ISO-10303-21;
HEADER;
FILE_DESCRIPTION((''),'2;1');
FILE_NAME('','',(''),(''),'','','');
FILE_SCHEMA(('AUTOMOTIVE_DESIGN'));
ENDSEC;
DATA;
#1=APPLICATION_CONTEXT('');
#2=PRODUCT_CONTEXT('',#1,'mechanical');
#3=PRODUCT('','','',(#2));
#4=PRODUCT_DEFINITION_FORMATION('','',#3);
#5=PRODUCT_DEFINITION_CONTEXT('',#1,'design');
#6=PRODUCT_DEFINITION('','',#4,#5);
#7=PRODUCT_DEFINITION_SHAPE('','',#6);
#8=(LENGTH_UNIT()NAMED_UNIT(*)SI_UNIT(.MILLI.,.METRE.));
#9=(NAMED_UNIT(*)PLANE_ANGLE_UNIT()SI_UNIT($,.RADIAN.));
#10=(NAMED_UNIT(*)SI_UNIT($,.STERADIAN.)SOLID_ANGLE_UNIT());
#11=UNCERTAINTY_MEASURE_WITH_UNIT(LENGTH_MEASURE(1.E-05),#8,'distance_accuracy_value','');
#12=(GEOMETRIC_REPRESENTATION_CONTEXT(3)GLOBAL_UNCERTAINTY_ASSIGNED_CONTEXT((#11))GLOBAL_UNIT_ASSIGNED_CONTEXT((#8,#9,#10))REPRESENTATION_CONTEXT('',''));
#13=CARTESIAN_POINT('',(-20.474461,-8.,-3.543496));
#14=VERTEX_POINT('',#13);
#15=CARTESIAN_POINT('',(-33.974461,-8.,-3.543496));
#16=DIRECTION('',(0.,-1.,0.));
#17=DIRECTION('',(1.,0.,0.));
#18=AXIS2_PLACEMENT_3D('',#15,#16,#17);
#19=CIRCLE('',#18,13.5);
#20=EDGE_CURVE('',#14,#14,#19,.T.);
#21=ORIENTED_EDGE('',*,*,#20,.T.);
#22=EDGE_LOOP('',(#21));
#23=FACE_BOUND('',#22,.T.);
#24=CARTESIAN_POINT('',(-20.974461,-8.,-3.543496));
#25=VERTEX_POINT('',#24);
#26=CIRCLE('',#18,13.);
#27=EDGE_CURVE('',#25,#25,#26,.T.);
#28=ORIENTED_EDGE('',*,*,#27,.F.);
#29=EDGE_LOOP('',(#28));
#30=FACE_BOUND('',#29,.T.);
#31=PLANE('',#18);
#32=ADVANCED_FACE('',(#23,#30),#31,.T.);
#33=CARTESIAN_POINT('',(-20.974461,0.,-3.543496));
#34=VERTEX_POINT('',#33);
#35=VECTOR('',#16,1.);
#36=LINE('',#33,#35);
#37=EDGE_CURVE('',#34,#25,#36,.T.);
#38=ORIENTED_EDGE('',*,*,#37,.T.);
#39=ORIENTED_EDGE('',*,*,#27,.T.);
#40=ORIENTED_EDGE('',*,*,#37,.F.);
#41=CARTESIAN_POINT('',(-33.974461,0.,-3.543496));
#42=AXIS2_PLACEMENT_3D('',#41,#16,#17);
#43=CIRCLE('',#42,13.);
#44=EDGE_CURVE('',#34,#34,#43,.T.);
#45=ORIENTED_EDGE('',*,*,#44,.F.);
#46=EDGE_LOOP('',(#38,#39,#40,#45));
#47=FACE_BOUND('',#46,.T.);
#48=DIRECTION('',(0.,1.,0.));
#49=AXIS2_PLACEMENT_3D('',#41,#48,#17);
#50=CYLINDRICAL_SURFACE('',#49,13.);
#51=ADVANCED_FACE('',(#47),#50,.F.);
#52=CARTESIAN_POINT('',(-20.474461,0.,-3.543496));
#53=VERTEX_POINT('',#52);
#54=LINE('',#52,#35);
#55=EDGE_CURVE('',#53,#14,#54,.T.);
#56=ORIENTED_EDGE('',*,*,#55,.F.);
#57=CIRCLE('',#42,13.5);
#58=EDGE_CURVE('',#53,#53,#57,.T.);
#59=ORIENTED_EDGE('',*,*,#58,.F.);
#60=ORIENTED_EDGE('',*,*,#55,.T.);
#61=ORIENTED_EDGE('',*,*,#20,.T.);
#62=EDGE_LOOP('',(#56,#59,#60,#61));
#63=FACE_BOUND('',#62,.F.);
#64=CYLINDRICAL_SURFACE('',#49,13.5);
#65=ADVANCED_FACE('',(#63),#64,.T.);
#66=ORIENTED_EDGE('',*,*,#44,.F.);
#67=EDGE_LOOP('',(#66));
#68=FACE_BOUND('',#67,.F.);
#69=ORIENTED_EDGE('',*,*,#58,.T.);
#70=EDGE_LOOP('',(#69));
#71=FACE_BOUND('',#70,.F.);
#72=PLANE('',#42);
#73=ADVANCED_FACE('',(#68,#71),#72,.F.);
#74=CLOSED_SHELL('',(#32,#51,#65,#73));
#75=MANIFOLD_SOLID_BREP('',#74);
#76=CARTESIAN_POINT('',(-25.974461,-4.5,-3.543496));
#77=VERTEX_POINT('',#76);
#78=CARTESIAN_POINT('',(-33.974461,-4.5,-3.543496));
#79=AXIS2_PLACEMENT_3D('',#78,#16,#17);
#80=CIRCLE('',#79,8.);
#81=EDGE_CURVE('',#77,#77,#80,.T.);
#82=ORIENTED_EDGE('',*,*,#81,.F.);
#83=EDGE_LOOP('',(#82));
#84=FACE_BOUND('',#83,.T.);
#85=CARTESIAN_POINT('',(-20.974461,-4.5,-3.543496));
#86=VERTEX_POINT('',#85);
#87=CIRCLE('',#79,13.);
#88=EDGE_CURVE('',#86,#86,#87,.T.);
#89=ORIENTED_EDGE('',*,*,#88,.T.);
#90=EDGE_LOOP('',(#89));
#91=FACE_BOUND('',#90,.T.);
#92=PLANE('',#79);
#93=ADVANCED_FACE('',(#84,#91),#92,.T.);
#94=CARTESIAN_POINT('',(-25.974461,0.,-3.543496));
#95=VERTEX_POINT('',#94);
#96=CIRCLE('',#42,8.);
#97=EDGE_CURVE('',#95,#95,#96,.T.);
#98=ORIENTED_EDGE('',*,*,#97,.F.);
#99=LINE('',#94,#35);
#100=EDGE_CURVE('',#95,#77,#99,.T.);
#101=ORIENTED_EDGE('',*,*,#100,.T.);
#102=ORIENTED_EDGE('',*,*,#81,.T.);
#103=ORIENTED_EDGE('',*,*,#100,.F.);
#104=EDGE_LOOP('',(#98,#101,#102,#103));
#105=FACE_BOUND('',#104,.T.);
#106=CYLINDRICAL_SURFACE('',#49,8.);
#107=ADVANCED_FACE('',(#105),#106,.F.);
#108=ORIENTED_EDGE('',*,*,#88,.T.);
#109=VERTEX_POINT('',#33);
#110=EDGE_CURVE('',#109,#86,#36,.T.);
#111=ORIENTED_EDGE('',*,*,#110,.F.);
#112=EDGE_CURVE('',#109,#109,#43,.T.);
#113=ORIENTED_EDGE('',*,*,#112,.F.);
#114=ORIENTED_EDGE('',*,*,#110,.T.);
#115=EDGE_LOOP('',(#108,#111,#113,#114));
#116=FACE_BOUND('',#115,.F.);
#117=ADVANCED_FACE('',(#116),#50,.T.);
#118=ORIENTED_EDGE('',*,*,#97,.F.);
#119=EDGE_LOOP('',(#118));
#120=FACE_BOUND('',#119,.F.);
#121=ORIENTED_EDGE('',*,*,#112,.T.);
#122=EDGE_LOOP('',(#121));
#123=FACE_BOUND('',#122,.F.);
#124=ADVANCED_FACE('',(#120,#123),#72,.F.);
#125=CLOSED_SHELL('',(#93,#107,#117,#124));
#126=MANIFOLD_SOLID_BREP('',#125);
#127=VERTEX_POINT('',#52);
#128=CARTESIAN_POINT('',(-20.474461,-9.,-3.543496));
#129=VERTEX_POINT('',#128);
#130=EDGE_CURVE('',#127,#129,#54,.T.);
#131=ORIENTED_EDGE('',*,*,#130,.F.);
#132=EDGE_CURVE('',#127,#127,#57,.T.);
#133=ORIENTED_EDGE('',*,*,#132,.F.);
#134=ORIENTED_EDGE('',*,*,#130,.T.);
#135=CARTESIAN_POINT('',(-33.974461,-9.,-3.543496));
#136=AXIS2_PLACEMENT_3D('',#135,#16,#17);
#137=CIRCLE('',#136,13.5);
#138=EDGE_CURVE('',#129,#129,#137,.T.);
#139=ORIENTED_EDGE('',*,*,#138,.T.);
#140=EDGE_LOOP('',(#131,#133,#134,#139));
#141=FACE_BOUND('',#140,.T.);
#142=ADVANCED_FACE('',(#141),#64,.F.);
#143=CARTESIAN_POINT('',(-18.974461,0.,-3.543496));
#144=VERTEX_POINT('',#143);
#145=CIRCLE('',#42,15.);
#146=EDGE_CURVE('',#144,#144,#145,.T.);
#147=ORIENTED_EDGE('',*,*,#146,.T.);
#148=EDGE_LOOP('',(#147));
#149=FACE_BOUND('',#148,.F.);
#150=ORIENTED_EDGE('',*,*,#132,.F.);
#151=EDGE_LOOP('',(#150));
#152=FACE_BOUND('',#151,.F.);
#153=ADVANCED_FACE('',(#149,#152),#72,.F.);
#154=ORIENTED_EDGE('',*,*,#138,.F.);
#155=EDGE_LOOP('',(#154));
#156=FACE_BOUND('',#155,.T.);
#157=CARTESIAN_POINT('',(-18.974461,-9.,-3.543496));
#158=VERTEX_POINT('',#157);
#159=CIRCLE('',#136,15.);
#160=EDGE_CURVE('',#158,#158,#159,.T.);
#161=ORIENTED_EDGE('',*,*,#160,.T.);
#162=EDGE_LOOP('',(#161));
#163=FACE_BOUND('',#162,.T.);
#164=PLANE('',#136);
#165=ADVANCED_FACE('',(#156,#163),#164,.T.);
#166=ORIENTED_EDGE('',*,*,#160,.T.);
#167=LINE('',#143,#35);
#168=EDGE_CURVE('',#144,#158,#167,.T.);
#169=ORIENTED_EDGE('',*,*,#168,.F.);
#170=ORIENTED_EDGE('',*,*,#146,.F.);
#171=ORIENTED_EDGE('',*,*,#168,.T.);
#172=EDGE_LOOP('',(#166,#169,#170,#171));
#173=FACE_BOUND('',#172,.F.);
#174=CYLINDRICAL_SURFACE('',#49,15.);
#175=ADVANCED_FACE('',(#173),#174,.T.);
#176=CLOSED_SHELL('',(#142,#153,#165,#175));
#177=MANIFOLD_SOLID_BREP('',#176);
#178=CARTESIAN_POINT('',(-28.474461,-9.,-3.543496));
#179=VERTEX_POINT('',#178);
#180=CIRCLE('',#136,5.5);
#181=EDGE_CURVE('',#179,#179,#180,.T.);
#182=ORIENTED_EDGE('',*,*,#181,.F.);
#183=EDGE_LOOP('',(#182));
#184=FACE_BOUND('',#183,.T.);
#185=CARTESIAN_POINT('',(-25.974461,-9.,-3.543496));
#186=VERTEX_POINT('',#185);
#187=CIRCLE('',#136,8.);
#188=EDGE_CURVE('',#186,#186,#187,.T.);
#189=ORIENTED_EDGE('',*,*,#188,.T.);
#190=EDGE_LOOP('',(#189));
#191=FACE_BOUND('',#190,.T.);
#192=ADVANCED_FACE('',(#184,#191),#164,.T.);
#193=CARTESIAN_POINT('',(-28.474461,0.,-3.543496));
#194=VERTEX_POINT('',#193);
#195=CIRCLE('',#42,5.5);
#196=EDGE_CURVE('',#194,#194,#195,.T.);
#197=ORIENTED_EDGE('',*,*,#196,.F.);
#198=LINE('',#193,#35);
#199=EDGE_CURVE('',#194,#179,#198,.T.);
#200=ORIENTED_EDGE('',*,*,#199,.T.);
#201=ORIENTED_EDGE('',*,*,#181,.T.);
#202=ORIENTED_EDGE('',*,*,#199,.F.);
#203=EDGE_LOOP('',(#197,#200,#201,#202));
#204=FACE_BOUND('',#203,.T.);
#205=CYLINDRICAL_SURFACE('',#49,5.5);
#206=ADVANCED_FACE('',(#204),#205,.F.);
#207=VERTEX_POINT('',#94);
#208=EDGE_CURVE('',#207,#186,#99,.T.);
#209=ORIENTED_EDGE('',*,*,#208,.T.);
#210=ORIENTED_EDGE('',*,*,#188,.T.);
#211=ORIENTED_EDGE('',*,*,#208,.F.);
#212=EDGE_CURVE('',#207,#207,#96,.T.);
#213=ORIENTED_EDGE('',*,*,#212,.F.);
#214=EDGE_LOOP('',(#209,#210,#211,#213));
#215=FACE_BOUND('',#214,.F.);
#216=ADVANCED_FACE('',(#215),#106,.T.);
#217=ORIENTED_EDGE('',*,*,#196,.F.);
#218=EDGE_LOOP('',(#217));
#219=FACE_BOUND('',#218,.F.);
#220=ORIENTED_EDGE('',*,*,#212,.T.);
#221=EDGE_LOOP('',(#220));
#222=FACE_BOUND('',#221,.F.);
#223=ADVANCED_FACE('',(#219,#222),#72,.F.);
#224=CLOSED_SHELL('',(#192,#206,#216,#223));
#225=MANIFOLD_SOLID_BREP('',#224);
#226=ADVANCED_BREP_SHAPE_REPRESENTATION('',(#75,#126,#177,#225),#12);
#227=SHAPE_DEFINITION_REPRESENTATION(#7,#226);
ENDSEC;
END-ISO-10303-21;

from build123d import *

# Parameters (mm, degrees)
F0_R     = 8
F0_R_2   = 5.5
F1_DEPTH = 9
F0_R_3   = 15
F0_R_4   = 13.5
F2_DEPTH = 9
F0_R_5   = 13
F3_DEPTH = 8
F4_DEPTH = 4.5


with BuildPart() as f1:
    # F0 (on Front) → F1 (new body)
    with BuildSketch(Plane.XZ):
        with Locations((-33.974461, -3.543496)):
            Circle(F0_R)
        with Locations((-33.974461, -3.543496)):
            Circle(F0_R_2, mode=Mode.SUBTRACT)
    extrude(amount=F1_DEPTH)


with BuildPart() as f2:
    # F0 (on Front) → F2 (new body)
    with BuildSketch(Plane.XZ):
        with Locations((-33.974461, -3.543496)):
            Circle(F0_R_3)
        with Locations((-33.974461, -3.543496)):
            Circle(F0_R_4, mode=Mode.SUBTRACT)
    extrude(amount=F2_DEPTH)


with BuildPart() as f3:
    # F0 (on Front) → F3 (new body)
    with BuildSketch(Plane.XZ):
        with Locations((-33.974461, -3.543496)):
            Circle(F0_R_4)
        with Locations((-33.974461, -3.543496)):
            Circle(F0_R_5, mode=Mode.SUBTRACT)
    extrude(amount=F3_DEPTH)


with BuildPart() as f4:
    # F0 (on Front) → F4 (new body)
    with BuildSketch(Plane.XZ):
        with Locations((-33.974461, -3.543496)):
            Circle(F0_R_5)
        with Locations((-33.974461, -3.543496)):
            Circle(F0_R, mode=Mode.SUBTRACT)
    extrude(amount=F4_DEPTH)


solid = Compound([f1.part, f2.part, f3.part, f4.part])
